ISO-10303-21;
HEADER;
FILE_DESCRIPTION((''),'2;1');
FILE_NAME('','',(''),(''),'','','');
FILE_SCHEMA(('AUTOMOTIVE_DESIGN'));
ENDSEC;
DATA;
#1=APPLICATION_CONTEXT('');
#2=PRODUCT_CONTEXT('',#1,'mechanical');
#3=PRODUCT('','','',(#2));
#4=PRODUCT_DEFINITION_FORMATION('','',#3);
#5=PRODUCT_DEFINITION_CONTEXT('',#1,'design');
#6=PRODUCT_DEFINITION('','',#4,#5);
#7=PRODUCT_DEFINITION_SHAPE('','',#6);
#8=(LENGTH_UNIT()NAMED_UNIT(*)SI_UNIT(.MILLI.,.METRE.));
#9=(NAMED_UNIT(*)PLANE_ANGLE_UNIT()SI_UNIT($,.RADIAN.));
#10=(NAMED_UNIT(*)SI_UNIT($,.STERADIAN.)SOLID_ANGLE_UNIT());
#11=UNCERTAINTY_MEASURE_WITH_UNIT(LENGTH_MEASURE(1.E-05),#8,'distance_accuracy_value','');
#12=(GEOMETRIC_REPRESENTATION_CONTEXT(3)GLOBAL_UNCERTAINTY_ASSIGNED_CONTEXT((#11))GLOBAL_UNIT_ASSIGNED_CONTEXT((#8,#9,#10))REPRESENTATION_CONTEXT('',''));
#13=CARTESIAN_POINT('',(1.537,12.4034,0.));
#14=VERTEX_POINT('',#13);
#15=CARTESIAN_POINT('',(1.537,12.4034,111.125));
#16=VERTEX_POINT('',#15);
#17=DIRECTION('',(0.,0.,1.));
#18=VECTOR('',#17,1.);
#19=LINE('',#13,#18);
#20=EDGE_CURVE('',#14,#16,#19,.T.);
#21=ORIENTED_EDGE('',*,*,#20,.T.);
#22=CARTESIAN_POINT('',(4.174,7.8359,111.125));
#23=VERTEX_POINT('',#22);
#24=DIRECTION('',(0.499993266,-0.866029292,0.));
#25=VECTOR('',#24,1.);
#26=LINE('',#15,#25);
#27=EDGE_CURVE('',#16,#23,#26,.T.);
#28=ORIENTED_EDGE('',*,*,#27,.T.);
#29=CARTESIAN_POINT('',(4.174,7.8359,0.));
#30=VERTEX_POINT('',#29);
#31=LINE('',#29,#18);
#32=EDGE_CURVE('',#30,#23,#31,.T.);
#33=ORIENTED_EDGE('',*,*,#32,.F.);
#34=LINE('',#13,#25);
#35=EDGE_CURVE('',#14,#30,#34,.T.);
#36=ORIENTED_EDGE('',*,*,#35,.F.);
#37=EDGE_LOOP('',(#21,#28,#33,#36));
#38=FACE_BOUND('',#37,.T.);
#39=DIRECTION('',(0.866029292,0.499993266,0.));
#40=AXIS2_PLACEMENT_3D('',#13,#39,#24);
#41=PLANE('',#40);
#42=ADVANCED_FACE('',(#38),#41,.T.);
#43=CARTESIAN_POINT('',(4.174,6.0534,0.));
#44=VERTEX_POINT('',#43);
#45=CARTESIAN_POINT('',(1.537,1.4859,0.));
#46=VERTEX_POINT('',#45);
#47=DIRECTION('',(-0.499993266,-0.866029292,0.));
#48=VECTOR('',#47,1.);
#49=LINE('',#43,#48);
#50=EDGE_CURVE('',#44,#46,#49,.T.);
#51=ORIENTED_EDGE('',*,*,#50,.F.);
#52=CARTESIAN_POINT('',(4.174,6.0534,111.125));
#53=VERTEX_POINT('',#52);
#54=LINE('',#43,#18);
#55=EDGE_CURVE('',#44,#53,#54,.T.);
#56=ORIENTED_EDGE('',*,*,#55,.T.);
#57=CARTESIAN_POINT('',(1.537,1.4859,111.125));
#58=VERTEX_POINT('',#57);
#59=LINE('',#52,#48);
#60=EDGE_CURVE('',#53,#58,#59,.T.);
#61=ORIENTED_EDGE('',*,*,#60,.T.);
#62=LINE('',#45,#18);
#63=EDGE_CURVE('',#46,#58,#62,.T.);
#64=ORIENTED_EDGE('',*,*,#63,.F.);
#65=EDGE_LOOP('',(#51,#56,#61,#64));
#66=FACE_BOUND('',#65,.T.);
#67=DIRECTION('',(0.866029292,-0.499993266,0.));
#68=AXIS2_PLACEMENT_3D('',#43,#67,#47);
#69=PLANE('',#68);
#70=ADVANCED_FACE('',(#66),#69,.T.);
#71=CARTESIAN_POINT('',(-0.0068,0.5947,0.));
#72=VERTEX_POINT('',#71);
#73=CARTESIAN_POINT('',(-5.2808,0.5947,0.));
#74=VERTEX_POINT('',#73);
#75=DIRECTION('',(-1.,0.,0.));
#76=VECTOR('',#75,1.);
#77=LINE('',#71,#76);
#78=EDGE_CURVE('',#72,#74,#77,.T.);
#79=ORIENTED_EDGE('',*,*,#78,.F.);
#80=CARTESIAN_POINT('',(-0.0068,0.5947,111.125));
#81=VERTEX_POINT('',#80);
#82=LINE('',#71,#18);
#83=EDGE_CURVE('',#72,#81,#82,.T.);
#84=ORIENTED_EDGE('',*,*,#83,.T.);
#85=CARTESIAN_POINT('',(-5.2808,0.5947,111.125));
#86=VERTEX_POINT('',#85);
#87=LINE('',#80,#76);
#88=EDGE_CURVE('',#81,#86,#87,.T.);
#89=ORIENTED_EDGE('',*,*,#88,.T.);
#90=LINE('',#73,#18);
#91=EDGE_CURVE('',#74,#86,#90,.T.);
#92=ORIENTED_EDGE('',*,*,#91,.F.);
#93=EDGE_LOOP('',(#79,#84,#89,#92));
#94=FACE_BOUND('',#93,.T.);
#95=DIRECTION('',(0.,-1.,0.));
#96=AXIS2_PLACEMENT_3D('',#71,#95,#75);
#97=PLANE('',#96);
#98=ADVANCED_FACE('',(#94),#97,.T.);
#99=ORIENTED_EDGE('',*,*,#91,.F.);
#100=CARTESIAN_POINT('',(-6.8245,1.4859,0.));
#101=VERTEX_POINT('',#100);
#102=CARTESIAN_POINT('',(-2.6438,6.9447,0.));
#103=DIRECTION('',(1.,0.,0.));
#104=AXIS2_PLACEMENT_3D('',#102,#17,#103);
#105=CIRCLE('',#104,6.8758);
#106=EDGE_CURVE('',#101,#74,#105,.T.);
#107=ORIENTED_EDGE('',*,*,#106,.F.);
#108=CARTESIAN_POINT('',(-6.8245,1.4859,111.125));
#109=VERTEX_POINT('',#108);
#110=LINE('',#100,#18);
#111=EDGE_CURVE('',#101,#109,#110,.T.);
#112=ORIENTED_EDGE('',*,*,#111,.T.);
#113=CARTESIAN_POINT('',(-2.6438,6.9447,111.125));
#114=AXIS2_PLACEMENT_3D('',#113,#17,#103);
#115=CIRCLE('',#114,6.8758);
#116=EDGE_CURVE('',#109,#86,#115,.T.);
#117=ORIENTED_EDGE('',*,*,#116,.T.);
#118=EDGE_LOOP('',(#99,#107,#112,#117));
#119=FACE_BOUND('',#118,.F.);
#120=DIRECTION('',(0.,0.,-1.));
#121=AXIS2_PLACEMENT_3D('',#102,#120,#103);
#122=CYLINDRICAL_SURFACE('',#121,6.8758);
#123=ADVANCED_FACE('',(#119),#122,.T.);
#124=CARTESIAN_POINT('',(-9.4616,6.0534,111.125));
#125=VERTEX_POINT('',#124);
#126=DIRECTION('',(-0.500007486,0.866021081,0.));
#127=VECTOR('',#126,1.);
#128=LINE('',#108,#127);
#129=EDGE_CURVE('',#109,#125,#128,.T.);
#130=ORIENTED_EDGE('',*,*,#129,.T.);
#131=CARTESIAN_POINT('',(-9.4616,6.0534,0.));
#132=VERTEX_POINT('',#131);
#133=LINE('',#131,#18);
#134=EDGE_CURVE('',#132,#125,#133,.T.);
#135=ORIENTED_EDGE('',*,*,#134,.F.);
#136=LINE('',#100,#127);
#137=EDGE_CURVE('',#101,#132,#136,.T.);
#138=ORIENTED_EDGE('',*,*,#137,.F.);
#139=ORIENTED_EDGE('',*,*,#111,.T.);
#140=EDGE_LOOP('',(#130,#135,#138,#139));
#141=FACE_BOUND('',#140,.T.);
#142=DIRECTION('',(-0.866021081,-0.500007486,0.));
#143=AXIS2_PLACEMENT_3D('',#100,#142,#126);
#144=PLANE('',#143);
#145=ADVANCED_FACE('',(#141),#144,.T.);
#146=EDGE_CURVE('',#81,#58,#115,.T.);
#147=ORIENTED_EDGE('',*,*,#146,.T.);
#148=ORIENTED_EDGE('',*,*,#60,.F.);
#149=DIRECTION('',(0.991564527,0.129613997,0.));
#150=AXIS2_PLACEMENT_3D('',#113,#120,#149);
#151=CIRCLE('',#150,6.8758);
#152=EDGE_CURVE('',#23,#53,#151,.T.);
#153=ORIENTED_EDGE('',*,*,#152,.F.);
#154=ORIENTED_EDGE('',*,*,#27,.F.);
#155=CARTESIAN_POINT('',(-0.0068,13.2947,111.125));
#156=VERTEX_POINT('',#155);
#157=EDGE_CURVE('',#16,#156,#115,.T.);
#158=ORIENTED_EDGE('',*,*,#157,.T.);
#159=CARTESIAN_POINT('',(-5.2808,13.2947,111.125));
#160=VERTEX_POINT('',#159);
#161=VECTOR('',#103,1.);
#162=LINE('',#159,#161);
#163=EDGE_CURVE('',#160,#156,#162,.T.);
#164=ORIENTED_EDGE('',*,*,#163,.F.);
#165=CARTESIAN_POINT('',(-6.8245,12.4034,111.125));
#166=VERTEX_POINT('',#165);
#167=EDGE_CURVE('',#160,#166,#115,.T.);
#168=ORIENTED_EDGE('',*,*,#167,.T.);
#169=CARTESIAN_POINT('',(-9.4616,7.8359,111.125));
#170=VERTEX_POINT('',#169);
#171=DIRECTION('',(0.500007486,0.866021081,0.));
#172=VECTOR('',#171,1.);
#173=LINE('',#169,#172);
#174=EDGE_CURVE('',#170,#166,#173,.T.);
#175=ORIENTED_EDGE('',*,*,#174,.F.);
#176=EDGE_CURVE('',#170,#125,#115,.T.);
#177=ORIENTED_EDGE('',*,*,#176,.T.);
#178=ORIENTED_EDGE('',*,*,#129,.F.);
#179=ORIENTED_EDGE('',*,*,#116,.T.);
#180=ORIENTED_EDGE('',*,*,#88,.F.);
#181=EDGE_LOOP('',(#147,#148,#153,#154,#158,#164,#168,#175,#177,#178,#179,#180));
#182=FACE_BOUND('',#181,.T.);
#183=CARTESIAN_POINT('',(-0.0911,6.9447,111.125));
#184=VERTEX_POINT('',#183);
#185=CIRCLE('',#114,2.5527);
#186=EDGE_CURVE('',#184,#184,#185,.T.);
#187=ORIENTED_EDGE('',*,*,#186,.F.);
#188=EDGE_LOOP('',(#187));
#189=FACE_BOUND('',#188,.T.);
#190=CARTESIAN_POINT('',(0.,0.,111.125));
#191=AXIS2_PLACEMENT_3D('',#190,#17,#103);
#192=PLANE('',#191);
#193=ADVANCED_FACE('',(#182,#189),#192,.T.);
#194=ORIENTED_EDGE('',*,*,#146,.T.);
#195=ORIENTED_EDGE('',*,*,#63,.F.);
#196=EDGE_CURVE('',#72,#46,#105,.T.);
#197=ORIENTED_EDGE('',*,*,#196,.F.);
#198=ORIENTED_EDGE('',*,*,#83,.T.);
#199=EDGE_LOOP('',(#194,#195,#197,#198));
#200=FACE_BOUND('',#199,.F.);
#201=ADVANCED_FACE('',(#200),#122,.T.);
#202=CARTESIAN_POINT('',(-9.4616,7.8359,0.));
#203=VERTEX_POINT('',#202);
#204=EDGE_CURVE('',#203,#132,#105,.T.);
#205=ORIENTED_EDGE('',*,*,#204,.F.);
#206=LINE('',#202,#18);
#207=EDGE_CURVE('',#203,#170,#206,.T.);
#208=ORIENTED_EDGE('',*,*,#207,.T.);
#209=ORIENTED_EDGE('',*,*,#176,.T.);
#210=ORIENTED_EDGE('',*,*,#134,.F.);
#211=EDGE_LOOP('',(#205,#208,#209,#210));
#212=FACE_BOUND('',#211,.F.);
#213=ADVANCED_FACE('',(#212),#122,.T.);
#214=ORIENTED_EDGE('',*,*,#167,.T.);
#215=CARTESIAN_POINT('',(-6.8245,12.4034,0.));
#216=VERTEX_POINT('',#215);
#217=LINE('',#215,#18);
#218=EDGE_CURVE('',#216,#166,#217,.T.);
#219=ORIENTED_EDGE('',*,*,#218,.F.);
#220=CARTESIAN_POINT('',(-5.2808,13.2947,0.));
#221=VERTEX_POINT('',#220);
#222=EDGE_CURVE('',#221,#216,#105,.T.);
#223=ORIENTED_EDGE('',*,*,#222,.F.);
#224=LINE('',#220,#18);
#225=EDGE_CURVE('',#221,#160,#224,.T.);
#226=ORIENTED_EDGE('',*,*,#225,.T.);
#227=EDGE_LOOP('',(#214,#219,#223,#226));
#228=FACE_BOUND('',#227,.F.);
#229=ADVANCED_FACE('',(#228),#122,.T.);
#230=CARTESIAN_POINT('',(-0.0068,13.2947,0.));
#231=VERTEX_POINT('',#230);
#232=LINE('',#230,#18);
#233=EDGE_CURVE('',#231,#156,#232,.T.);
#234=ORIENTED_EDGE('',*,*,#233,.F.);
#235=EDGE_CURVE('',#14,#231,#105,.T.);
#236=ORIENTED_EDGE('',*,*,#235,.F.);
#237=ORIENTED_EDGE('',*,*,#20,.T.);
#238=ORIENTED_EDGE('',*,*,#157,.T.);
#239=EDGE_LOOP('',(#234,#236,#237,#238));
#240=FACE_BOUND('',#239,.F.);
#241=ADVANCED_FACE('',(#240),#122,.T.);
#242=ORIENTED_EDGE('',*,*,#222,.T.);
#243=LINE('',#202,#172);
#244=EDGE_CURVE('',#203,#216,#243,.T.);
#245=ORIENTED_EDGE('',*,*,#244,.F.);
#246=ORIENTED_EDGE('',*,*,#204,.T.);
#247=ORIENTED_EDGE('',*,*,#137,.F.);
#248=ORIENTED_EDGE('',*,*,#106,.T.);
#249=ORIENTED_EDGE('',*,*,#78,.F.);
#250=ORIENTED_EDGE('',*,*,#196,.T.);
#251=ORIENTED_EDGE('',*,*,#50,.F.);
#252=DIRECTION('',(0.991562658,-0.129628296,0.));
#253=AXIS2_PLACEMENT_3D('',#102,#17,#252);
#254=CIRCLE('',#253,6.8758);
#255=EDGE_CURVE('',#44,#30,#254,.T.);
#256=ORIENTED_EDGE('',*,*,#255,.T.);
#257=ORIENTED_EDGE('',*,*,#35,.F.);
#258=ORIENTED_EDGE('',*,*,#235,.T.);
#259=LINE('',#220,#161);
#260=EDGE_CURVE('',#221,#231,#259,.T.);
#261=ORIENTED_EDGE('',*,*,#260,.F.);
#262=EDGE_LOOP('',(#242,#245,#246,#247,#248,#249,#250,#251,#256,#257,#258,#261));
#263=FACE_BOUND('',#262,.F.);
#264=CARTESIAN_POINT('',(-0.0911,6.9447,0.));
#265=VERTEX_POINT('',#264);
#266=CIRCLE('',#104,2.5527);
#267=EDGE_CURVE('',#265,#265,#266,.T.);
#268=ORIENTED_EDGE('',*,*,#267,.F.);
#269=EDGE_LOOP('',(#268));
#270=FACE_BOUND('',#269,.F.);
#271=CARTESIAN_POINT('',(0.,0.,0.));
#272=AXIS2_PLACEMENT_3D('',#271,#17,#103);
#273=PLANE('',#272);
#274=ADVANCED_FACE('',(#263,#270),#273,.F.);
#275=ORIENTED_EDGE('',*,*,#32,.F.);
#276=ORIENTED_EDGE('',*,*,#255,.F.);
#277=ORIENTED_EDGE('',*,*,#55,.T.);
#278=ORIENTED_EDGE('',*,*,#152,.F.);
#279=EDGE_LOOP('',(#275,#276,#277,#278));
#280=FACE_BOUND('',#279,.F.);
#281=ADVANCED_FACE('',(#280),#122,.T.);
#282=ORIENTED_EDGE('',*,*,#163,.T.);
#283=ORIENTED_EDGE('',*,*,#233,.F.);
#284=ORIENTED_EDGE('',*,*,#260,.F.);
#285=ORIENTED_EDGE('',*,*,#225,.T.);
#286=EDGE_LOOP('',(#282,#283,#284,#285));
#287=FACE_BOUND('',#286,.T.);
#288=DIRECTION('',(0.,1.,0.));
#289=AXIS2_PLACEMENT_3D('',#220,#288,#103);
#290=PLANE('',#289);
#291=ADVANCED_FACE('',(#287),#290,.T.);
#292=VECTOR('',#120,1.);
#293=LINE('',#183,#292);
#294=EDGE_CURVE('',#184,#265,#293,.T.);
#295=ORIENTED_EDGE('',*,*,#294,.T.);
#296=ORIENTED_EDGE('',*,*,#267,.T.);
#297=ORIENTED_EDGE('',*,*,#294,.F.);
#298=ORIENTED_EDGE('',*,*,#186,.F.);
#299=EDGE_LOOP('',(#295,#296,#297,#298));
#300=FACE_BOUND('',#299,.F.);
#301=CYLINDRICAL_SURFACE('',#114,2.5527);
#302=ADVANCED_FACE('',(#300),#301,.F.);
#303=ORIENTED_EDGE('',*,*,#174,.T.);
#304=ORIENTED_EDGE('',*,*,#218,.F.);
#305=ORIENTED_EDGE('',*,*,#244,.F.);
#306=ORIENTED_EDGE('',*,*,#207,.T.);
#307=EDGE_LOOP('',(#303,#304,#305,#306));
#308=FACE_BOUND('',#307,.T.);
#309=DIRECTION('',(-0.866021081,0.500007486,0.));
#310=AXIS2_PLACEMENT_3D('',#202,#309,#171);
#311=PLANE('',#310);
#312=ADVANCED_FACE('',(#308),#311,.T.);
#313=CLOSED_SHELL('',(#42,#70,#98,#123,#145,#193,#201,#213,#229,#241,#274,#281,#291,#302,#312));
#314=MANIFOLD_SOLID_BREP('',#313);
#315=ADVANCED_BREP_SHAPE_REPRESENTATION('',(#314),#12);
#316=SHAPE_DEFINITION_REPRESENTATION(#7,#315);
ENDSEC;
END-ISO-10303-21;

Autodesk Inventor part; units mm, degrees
ref_plane "YZ Plane" through (0, 0, 0) normal (1, 0, 0) x (0, 1, 0)
ref_plane "XZ Plane" through (0, 0, 0) normal (0, 1, 0) x (-1, 0, 0)
ref_plane "XY Plane" through (0, 0, 0) normal (0, 0, 1) x (1, 0, 0)
sketch "Sketch1" plane through (0, 0, 0) normal (0, 0, 1) x (1, 0, 0)
  circle A0 centre (-2.6438, 6.9447) radius 6.8758
  line L0 (-9.4616, 7.8359) -> (-6.8245, 12.4034)
  line L1 (-6.8245, 1.4859) -> (-9.4616, 6.0534)
  line L2 (-0.0068, 0.5947) -> (-5.2808, 0.5947)
  line L3 (4.174, 6.0534) -> (1.537, 1.4859)
  line L4 (1.537, 12.4034) -> (4.174, 7.8359)
  line L5 (-5.2808, 13.2947) -> (-0.0068, 13.2947)
  point P0 (0, 0)
  point P1 (1.537, 1.4859)
  dimension "d0" = 13.7516
  dimension "d4" = 360
extrude "Extrusion1" add sketch "Sketch1" along normal blind 111.125 contours A0 L3 L2 L1 L0 L5 L4
sketch "Sketch2" plane through (0, 0, 111.125) normal (0, 0, 1) x (1, 0, 0)
  circle A0 centre (-2.6438, 6.9447) radius 2.5527
  line L0 (-5.2808, 0.5947) -> (-0.0068, 0.5947) projected
  line L1 (-2.6438, 6.9447) -> (-5.2808, 0.5947) construction
  line L2 (-2.6438, 6.9447) -> (-0.0068, 0.5947) construction
  point P0 (0, 0)
  dimension "d8" = 5.1054
  dimension "d9" = 6.35
extrude "Extrusion2" cut sketch "Sketch2" against normal blind 111.125
equation "\"d6\" = d5"
equation "\"d10\" = d5"
equation "\"d5\" = 111.125"
properties part number "5.5 thundershaft" material "Aluminum 6061"
